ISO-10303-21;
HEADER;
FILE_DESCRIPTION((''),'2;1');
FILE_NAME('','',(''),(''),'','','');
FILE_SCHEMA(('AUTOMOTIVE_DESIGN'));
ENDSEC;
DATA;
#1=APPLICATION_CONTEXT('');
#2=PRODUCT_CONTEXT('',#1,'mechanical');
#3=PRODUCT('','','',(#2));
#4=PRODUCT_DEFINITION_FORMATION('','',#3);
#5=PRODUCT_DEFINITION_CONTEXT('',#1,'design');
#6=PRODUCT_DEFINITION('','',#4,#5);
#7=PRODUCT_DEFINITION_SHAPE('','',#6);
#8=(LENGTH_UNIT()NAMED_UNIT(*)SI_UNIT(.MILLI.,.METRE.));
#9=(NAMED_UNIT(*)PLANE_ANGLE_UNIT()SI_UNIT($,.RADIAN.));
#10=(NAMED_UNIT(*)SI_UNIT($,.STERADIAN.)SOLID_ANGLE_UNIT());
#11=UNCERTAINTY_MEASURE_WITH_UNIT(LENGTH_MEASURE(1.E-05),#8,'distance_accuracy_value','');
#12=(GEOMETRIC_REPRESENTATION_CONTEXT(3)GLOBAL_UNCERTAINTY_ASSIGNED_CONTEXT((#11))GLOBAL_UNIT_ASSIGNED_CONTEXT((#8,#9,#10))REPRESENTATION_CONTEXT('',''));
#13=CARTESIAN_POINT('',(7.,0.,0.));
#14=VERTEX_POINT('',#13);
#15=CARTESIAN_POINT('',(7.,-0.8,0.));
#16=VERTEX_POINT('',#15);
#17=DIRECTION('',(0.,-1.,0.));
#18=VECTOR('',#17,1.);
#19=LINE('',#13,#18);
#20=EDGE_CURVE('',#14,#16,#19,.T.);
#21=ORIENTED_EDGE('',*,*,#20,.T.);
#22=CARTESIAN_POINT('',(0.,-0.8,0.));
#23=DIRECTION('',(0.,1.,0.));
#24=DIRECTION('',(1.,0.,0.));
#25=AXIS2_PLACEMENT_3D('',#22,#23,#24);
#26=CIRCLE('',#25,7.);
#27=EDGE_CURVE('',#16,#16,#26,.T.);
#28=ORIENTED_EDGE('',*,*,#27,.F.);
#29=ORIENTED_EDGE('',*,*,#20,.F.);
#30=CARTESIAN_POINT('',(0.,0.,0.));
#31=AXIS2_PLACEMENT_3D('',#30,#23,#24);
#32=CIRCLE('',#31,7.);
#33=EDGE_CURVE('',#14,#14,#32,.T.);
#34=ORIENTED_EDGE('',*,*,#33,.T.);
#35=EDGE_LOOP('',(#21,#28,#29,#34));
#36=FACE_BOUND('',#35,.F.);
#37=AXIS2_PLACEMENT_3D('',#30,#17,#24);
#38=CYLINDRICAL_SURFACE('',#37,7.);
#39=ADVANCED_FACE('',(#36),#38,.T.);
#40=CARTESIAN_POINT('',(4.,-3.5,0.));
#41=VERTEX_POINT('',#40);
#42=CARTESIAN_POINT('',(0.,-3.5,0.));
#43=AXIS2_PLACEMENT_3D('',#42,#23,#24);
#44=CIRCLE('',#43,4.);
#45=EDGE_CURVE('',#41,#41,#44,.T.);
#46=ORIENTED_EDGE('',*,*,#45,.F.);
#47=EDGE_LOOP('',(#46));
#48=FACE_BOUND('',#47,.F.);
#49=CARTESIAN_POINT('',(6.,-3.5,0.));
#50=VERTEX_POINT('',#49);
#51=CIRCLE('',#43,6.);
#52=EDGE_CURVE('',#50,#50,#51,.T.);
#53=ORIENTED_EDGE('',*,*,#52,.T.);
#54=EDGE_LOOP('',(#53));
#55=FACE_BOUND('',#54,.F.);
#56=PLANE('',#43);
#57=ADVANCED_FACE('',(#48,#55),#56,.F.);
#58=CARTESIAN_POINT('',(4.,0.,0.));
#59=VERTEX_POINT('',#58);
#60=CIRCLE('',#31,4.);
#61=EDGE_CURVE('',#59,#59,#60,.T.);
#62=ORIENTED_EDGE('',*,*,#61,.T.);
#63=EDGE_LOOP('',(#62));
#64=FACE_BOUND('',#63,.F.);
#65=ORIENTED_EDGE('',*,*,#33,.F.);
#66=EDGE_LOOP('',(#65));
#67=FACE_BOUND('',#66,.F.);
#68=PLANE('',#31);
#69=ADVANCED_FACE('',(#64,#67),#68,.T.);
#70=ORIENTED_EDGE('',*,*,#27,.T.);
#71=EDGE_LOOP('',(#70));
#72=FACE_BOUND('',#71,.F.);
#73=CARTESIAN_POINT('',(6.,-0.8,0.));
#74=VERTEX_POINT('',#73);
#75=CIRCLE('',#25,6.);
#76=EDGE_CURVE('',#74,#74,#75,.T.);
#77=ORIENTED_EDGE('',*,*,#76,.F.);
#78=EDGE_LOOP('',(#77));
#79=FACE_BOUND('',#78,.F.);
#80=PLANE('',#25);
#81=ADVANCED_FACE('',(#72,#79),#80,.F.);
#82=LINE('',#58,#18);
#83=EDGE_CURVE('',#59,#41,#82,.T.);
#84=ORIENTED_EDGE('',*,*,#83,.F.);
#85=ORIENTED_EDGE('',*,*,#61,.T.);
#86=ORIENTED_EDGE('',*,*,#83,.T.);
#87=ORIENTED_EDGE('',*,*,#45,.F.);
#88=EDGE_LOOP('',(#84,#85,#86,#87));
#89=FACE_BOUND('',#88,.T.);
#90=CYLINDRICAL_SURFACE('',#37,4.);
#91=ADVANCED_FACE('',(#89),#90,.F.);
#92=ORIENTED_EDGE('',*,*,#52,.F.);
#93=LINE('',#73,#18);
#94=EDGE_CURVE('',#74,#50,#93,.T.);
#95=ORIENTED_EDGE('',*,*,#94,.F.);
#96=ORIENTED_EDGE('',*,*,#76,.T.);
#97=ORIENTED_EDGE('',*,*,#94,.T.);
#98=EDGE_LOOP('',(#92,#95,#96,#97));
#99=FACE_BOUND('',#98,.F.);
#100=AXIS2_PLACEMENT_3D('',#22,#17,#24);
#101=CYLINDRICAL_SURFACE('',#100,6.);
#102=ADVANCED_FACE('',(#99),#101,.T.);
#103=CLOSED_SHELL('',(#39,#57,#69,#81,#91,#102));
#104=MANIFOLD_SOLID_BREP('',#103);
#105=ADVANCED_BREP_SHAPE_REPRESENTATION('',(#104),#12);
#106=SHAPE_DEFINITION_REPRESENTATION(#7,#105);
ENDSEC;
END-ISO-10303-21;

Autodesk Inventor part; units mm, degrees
ref_plane "YZ Plane" through (0, 0, 0) normal (1, 0, 0) x (0, 1, 0)
ref_plane "XZ Plane" through (0, 0, 0) normal (0, 1, 0) x (-1, 0, 0)
ref_plane "XY Plane" through (0, 0, 0) normal (0, 0, 1) x (1, 0, 0)
sketch "スケッチ1" plane through (0, 0, 0) normal (0, 0, 1) x (1, 0, 0)
  line L0 (4, 0) -> (4, -3.5)
  line L1 (4, 0) -> (7, 0)
  line L2 (7, 0) -> (7, -0.8)
  line L3 (7, -0.8) -> (6, -0.8)
  line L4 (6, -0.8) -> (6, -3.5)
  line L5 (6, -3.5) -> (4, -3.5)
  line L6 (0, -4.2) -> (0, 0.7) projected
  point P0 (0, 0)
  dimension "d2" = 3
  dimension "d3" = 0.8
  dimension "d4" = 1
  dimension "d5" = 4
  dimension "d6" = 3.5
  dimension "d7" = 3.5
revolve "回転1" add sketch "スケッチ1" angle 360 about axis through (0, -10, 0) along (0, 1, 0)
properties part number "bear_f8_12_sa" material "ステンレス鋼"
